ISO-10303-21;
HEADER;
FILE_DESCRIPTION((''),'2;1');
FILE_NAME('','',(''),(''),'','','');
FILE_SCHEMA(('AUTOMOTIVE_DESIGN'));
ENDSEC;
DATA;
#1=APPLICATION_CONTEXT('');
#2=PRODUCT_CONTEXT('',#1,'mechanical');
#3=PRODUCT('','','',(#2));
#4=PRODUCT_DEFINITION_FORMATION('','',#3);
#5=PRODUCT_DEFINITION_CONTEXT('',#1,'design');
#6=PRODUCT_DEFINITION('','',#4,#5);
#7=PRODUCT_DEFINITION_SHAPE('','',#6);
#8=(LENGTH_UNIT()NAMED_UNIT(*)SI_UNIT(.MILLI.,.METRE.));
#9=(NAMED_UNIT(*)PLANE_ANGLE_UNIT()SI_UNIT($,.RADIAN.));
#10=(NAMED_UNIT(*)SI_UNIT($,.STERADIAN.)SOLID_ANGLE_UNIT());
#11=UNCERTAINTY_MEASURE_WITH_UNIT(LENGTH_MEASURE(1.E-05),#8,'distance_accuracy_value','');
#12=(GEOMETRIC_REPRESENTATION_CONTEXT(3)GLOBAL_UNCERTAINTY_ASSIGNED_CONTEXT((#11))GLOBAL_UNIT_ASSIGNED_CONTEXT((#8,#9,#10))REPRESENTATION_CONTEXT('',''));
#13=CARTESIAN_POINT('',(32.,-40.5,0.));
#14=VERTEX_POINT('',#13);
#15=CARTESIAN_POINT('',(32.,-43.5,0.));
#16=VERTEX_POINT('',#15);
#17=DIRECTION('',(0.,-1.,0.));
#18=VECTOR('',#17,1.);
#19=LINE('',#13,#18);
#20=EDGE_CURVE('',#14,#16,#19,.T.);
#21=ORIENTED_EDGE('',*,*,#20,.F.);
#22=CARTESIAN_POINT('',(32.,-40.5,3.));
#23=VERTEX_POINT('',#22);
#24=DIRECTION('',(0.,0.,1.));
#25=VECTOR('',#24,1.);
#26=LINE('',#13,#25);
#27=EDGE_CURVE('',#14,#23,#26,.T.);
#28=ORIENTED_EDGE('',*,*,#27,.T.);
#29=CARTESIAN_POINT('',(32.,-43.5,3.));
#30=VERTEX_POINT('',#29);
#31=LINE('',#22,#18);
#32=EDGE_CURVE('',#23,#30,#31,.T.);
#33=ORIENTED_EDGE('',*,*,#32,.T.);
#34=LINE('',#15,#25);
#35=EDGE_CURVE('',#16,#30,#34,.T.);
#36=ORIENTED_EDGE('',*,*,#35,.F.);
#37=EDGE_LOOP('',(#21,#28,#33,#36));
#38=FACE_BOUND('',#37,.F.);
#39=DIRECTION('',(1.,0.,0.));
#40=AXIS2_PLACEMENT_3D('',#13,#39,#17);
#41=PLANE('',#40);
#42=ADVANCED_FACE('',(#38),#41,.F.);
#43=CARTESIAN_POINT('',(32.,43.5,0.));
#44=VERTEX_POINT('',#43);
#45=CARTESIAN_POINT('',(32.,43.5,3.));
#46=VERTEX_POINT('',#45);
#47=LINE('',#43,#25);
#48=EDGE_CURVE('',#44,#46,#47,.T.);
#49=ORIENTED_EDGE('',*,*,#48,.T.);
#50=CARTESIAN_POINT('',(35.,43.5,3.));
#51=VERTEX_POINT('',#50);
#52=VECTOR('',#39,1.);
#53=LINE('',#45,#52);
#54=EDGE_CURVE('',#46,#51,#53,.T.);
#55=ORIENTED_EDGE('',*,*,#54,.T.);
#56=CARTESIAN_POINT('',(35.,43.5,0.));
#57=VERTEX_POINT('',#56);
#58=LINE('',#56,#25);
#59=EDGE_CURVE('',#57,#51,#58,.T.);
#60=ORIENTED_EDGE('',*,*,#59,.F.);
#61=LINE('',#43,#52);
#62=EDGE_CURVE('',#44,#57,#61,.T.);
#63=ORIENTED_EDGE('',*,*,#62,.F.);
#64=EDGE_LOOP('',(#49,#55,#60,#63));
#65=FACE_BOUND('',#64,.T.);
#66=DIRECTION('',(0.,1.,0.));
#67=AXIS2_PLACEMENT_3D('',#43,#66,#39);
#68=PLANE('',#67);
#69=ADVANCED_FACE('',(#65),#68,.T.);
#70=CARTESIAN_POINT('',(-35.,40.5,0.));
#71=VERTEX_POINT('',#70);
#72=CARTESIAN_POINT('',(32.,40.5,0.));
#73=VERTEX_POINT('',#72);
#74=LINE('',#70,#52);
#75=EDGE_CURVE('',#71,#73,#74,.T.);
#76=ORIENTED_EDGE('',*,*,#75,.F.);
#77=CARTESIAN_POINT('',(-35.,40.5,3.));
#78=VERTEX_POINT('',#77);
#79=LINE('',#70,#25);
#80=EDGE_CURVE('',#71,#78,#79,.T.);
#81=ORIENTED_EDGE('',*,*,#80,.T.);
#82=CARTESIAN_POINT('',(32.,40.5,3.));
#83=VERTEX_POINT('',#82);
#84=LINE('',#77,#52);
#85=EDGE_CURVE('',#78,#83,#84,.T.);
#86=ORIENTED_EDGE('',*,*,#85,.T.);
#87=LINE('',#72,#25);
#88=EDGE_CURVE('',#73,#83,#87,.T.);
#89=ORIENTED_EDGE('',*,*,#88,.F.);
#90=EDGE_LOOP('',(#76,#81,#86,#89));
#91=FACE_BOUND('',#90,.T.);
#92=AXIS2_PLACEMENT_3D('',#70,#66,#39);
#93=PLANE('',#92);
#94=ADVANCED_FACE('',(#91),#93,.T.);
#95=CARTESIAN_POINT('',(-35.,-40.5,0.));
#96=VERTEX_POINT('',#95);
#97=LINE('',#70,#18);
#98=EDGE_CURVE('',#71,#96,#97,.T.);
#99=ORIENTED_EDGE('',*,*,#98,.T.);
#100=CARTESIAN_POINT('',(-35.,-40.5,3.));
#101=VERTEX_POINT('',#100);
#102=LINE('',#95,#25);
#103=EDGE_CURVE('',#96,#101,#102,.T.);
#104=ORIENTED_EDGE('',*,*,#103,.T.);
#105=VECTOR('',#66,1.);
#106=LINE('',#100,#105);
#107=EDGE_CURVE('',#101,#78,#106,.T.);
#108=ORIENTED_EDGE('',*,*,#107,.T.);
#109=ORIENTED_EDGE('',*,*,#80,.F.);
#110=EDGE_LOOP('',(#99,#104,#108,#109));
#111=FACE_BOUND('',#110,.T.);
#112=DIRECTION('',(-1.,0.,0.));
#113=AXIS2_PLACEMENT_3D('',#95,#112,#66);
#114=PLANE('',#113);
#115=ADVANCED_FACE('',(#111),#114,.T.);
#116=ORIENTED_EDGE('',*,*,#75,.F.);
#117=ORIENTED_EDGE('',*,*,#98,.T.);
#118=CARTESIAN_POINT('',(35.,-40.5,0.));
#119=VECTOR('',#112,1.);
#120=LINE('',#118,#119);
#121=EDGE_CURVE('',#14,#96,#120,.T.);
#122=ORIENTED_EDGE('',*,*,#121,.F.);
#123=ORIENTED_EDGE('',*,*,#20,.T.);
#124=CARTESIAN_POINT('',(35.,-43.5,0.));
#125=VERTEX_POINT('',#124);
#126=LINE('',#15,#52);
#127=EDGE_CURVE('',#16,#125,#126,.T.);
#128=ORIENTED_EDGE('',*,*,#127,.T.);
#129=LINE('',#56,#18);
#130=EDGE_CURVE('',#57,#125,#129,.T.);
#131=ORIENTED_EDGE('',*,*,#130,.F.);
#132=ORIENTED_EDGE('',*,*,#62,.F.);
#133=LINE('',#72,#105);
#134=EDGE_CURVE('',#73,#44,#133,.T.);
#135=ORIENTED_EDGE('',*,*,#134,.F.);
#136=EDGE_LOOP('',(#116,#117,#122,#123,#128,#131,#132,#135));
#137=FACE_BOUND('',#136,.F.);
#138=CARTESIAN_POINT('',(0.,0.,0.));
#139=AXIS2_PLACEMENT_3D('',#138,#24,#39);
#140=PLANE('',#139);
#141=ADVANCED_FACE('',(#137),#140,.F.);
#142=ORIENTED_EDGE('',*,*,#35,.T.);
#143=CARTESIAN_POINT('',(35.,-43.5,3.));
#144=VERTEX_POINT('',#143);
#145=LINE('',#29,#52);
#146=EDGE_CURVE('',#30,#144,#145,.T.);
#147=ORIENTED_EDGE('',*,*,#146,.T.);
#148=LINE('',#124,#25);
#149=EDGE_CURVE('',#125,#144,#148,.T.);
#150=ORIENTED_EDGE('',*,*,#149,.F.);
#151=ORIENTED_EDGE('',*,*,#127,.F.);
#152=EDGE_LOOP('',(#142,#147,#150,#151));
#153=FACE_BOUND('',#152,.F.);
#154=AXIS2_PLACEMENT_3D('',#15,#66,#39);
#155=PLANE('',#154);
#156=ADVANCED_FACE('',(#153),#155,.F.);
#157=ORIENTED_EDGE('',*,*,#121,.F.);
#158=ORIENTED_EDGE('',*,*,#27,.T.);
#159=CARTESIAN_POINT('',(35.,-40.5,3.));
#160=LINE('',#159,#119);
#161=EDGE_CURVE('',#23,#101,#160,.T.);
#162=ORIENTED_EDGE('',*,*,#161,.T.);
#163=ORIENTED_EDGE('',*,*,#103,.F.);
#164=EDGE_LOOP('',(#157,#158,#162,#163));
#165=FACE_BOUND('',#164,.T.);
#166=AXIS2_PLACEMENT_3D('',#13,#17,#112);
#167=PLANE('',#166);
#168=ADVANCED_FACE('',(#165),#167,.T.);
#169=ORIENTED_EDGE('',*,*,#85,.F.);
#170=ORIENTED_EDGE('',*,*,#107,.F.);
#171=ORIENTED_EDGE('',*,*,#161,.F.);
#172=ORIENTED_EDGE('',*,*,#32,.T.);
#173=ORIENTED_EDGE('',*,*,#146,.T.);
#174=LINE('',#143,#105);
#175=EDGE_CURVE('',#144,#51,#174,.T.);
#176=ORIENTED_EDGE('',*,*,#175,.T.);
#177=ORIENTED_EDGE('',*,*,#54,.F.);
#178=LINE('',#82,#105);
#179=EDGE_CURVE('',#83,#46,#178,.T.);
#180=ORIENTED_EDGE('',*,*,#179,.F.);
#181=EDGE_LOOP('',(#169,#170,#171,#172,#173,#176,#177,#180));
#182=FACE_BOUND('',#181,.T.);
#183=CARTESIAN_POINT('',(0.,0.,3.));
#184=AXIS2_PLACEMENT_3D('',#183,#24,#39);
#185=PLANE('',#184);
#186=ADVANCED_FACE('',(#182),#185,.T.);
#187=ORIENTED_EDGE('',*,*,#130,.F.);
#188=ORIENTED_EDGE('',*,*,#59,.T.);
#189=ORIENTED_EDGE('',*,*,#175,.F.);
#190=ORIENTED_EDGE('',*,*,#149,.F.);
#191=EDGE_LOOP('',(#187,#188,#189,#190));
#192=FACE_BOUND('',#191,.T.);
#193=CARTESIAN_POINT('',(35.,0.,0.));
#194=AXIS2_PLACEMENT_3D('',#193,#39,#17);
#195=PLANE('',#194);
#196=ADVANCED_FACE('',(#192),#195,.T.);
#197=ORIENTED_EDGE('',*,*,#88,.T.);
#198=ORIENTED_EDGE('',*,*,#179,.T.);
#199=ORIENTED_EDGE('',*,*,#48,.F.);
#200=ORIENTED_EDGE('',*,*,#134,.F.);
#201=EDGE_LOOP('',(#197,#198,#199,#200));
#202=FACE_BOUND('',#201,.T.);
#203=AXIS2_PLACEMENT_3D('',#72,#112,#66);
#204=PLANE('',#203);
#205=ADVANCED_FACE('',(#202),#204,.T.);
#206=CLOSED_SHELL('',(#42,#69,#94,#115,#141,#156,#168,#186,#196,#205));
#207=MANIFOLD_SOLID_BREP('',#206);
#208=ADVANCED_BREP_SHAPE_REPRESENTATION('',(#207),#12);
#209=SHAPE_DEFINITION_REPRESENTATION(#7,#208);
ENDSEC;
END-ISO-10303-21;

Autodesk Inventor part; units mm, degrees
ref_plane "YZ Plane" through (0, 0, 0) normal (1, 0, 0) x (0, 1, 0)
ref_plane "XZ Plane" through (0, 0, 0) normal (0, 1, 0) x (-1, 0, 0)
ref_plane "XY Plane" through (0, 0, 0) normal (0, 0, 1) x (1, 0, 0)
sketch "Sketch1" plane through (0, 0, 0) normal (0, 0, 1) x (1, 0, 0)
  line L0 (-35, -40.5) -> (-35, 40.5)
  line L1 (-35, 40.5) -> (35, 40.5)
  line L2 (35, 40.5) -> (35, -40.5)
  line L3 (35, -40.5) -> (-35, -40.5)
  line L4 (-35, -40.5) -> (35, 40.5) construction
  line L5 (-35, 40.5) -> (35, -40.5) construction
  line L6 (35, -40.5) -> (32, -40.5)
  line L7 (32, -40.5) -> (32, -43.5)
  line L8 (32, -43.5) -> (35, -43.5)
  line L9 (35, -43.5) -> (35, -40.5)
  line L10 (-49, 0) -> (49, 0) projected
  line L11 (32, 40.5) -> (32, 43.5)
  line L12 (32, 43.5) -> (35, 43.5)
  line L13 (35, 43.5) -> (35, 40.5)
  point P0 (0, 0)
  dimension "d0" = 70
  dimension "d1" = 81
  dimension "d4" = 3
  dimension "d5" = 3
extrude "Extrusion1" add sketch "Sketch1" along normal blind 3
equation "\"d4\" = d2"
equation "\"d5\" = d2"
equation "\"d2\" = 3"
properties part number "top lid"
